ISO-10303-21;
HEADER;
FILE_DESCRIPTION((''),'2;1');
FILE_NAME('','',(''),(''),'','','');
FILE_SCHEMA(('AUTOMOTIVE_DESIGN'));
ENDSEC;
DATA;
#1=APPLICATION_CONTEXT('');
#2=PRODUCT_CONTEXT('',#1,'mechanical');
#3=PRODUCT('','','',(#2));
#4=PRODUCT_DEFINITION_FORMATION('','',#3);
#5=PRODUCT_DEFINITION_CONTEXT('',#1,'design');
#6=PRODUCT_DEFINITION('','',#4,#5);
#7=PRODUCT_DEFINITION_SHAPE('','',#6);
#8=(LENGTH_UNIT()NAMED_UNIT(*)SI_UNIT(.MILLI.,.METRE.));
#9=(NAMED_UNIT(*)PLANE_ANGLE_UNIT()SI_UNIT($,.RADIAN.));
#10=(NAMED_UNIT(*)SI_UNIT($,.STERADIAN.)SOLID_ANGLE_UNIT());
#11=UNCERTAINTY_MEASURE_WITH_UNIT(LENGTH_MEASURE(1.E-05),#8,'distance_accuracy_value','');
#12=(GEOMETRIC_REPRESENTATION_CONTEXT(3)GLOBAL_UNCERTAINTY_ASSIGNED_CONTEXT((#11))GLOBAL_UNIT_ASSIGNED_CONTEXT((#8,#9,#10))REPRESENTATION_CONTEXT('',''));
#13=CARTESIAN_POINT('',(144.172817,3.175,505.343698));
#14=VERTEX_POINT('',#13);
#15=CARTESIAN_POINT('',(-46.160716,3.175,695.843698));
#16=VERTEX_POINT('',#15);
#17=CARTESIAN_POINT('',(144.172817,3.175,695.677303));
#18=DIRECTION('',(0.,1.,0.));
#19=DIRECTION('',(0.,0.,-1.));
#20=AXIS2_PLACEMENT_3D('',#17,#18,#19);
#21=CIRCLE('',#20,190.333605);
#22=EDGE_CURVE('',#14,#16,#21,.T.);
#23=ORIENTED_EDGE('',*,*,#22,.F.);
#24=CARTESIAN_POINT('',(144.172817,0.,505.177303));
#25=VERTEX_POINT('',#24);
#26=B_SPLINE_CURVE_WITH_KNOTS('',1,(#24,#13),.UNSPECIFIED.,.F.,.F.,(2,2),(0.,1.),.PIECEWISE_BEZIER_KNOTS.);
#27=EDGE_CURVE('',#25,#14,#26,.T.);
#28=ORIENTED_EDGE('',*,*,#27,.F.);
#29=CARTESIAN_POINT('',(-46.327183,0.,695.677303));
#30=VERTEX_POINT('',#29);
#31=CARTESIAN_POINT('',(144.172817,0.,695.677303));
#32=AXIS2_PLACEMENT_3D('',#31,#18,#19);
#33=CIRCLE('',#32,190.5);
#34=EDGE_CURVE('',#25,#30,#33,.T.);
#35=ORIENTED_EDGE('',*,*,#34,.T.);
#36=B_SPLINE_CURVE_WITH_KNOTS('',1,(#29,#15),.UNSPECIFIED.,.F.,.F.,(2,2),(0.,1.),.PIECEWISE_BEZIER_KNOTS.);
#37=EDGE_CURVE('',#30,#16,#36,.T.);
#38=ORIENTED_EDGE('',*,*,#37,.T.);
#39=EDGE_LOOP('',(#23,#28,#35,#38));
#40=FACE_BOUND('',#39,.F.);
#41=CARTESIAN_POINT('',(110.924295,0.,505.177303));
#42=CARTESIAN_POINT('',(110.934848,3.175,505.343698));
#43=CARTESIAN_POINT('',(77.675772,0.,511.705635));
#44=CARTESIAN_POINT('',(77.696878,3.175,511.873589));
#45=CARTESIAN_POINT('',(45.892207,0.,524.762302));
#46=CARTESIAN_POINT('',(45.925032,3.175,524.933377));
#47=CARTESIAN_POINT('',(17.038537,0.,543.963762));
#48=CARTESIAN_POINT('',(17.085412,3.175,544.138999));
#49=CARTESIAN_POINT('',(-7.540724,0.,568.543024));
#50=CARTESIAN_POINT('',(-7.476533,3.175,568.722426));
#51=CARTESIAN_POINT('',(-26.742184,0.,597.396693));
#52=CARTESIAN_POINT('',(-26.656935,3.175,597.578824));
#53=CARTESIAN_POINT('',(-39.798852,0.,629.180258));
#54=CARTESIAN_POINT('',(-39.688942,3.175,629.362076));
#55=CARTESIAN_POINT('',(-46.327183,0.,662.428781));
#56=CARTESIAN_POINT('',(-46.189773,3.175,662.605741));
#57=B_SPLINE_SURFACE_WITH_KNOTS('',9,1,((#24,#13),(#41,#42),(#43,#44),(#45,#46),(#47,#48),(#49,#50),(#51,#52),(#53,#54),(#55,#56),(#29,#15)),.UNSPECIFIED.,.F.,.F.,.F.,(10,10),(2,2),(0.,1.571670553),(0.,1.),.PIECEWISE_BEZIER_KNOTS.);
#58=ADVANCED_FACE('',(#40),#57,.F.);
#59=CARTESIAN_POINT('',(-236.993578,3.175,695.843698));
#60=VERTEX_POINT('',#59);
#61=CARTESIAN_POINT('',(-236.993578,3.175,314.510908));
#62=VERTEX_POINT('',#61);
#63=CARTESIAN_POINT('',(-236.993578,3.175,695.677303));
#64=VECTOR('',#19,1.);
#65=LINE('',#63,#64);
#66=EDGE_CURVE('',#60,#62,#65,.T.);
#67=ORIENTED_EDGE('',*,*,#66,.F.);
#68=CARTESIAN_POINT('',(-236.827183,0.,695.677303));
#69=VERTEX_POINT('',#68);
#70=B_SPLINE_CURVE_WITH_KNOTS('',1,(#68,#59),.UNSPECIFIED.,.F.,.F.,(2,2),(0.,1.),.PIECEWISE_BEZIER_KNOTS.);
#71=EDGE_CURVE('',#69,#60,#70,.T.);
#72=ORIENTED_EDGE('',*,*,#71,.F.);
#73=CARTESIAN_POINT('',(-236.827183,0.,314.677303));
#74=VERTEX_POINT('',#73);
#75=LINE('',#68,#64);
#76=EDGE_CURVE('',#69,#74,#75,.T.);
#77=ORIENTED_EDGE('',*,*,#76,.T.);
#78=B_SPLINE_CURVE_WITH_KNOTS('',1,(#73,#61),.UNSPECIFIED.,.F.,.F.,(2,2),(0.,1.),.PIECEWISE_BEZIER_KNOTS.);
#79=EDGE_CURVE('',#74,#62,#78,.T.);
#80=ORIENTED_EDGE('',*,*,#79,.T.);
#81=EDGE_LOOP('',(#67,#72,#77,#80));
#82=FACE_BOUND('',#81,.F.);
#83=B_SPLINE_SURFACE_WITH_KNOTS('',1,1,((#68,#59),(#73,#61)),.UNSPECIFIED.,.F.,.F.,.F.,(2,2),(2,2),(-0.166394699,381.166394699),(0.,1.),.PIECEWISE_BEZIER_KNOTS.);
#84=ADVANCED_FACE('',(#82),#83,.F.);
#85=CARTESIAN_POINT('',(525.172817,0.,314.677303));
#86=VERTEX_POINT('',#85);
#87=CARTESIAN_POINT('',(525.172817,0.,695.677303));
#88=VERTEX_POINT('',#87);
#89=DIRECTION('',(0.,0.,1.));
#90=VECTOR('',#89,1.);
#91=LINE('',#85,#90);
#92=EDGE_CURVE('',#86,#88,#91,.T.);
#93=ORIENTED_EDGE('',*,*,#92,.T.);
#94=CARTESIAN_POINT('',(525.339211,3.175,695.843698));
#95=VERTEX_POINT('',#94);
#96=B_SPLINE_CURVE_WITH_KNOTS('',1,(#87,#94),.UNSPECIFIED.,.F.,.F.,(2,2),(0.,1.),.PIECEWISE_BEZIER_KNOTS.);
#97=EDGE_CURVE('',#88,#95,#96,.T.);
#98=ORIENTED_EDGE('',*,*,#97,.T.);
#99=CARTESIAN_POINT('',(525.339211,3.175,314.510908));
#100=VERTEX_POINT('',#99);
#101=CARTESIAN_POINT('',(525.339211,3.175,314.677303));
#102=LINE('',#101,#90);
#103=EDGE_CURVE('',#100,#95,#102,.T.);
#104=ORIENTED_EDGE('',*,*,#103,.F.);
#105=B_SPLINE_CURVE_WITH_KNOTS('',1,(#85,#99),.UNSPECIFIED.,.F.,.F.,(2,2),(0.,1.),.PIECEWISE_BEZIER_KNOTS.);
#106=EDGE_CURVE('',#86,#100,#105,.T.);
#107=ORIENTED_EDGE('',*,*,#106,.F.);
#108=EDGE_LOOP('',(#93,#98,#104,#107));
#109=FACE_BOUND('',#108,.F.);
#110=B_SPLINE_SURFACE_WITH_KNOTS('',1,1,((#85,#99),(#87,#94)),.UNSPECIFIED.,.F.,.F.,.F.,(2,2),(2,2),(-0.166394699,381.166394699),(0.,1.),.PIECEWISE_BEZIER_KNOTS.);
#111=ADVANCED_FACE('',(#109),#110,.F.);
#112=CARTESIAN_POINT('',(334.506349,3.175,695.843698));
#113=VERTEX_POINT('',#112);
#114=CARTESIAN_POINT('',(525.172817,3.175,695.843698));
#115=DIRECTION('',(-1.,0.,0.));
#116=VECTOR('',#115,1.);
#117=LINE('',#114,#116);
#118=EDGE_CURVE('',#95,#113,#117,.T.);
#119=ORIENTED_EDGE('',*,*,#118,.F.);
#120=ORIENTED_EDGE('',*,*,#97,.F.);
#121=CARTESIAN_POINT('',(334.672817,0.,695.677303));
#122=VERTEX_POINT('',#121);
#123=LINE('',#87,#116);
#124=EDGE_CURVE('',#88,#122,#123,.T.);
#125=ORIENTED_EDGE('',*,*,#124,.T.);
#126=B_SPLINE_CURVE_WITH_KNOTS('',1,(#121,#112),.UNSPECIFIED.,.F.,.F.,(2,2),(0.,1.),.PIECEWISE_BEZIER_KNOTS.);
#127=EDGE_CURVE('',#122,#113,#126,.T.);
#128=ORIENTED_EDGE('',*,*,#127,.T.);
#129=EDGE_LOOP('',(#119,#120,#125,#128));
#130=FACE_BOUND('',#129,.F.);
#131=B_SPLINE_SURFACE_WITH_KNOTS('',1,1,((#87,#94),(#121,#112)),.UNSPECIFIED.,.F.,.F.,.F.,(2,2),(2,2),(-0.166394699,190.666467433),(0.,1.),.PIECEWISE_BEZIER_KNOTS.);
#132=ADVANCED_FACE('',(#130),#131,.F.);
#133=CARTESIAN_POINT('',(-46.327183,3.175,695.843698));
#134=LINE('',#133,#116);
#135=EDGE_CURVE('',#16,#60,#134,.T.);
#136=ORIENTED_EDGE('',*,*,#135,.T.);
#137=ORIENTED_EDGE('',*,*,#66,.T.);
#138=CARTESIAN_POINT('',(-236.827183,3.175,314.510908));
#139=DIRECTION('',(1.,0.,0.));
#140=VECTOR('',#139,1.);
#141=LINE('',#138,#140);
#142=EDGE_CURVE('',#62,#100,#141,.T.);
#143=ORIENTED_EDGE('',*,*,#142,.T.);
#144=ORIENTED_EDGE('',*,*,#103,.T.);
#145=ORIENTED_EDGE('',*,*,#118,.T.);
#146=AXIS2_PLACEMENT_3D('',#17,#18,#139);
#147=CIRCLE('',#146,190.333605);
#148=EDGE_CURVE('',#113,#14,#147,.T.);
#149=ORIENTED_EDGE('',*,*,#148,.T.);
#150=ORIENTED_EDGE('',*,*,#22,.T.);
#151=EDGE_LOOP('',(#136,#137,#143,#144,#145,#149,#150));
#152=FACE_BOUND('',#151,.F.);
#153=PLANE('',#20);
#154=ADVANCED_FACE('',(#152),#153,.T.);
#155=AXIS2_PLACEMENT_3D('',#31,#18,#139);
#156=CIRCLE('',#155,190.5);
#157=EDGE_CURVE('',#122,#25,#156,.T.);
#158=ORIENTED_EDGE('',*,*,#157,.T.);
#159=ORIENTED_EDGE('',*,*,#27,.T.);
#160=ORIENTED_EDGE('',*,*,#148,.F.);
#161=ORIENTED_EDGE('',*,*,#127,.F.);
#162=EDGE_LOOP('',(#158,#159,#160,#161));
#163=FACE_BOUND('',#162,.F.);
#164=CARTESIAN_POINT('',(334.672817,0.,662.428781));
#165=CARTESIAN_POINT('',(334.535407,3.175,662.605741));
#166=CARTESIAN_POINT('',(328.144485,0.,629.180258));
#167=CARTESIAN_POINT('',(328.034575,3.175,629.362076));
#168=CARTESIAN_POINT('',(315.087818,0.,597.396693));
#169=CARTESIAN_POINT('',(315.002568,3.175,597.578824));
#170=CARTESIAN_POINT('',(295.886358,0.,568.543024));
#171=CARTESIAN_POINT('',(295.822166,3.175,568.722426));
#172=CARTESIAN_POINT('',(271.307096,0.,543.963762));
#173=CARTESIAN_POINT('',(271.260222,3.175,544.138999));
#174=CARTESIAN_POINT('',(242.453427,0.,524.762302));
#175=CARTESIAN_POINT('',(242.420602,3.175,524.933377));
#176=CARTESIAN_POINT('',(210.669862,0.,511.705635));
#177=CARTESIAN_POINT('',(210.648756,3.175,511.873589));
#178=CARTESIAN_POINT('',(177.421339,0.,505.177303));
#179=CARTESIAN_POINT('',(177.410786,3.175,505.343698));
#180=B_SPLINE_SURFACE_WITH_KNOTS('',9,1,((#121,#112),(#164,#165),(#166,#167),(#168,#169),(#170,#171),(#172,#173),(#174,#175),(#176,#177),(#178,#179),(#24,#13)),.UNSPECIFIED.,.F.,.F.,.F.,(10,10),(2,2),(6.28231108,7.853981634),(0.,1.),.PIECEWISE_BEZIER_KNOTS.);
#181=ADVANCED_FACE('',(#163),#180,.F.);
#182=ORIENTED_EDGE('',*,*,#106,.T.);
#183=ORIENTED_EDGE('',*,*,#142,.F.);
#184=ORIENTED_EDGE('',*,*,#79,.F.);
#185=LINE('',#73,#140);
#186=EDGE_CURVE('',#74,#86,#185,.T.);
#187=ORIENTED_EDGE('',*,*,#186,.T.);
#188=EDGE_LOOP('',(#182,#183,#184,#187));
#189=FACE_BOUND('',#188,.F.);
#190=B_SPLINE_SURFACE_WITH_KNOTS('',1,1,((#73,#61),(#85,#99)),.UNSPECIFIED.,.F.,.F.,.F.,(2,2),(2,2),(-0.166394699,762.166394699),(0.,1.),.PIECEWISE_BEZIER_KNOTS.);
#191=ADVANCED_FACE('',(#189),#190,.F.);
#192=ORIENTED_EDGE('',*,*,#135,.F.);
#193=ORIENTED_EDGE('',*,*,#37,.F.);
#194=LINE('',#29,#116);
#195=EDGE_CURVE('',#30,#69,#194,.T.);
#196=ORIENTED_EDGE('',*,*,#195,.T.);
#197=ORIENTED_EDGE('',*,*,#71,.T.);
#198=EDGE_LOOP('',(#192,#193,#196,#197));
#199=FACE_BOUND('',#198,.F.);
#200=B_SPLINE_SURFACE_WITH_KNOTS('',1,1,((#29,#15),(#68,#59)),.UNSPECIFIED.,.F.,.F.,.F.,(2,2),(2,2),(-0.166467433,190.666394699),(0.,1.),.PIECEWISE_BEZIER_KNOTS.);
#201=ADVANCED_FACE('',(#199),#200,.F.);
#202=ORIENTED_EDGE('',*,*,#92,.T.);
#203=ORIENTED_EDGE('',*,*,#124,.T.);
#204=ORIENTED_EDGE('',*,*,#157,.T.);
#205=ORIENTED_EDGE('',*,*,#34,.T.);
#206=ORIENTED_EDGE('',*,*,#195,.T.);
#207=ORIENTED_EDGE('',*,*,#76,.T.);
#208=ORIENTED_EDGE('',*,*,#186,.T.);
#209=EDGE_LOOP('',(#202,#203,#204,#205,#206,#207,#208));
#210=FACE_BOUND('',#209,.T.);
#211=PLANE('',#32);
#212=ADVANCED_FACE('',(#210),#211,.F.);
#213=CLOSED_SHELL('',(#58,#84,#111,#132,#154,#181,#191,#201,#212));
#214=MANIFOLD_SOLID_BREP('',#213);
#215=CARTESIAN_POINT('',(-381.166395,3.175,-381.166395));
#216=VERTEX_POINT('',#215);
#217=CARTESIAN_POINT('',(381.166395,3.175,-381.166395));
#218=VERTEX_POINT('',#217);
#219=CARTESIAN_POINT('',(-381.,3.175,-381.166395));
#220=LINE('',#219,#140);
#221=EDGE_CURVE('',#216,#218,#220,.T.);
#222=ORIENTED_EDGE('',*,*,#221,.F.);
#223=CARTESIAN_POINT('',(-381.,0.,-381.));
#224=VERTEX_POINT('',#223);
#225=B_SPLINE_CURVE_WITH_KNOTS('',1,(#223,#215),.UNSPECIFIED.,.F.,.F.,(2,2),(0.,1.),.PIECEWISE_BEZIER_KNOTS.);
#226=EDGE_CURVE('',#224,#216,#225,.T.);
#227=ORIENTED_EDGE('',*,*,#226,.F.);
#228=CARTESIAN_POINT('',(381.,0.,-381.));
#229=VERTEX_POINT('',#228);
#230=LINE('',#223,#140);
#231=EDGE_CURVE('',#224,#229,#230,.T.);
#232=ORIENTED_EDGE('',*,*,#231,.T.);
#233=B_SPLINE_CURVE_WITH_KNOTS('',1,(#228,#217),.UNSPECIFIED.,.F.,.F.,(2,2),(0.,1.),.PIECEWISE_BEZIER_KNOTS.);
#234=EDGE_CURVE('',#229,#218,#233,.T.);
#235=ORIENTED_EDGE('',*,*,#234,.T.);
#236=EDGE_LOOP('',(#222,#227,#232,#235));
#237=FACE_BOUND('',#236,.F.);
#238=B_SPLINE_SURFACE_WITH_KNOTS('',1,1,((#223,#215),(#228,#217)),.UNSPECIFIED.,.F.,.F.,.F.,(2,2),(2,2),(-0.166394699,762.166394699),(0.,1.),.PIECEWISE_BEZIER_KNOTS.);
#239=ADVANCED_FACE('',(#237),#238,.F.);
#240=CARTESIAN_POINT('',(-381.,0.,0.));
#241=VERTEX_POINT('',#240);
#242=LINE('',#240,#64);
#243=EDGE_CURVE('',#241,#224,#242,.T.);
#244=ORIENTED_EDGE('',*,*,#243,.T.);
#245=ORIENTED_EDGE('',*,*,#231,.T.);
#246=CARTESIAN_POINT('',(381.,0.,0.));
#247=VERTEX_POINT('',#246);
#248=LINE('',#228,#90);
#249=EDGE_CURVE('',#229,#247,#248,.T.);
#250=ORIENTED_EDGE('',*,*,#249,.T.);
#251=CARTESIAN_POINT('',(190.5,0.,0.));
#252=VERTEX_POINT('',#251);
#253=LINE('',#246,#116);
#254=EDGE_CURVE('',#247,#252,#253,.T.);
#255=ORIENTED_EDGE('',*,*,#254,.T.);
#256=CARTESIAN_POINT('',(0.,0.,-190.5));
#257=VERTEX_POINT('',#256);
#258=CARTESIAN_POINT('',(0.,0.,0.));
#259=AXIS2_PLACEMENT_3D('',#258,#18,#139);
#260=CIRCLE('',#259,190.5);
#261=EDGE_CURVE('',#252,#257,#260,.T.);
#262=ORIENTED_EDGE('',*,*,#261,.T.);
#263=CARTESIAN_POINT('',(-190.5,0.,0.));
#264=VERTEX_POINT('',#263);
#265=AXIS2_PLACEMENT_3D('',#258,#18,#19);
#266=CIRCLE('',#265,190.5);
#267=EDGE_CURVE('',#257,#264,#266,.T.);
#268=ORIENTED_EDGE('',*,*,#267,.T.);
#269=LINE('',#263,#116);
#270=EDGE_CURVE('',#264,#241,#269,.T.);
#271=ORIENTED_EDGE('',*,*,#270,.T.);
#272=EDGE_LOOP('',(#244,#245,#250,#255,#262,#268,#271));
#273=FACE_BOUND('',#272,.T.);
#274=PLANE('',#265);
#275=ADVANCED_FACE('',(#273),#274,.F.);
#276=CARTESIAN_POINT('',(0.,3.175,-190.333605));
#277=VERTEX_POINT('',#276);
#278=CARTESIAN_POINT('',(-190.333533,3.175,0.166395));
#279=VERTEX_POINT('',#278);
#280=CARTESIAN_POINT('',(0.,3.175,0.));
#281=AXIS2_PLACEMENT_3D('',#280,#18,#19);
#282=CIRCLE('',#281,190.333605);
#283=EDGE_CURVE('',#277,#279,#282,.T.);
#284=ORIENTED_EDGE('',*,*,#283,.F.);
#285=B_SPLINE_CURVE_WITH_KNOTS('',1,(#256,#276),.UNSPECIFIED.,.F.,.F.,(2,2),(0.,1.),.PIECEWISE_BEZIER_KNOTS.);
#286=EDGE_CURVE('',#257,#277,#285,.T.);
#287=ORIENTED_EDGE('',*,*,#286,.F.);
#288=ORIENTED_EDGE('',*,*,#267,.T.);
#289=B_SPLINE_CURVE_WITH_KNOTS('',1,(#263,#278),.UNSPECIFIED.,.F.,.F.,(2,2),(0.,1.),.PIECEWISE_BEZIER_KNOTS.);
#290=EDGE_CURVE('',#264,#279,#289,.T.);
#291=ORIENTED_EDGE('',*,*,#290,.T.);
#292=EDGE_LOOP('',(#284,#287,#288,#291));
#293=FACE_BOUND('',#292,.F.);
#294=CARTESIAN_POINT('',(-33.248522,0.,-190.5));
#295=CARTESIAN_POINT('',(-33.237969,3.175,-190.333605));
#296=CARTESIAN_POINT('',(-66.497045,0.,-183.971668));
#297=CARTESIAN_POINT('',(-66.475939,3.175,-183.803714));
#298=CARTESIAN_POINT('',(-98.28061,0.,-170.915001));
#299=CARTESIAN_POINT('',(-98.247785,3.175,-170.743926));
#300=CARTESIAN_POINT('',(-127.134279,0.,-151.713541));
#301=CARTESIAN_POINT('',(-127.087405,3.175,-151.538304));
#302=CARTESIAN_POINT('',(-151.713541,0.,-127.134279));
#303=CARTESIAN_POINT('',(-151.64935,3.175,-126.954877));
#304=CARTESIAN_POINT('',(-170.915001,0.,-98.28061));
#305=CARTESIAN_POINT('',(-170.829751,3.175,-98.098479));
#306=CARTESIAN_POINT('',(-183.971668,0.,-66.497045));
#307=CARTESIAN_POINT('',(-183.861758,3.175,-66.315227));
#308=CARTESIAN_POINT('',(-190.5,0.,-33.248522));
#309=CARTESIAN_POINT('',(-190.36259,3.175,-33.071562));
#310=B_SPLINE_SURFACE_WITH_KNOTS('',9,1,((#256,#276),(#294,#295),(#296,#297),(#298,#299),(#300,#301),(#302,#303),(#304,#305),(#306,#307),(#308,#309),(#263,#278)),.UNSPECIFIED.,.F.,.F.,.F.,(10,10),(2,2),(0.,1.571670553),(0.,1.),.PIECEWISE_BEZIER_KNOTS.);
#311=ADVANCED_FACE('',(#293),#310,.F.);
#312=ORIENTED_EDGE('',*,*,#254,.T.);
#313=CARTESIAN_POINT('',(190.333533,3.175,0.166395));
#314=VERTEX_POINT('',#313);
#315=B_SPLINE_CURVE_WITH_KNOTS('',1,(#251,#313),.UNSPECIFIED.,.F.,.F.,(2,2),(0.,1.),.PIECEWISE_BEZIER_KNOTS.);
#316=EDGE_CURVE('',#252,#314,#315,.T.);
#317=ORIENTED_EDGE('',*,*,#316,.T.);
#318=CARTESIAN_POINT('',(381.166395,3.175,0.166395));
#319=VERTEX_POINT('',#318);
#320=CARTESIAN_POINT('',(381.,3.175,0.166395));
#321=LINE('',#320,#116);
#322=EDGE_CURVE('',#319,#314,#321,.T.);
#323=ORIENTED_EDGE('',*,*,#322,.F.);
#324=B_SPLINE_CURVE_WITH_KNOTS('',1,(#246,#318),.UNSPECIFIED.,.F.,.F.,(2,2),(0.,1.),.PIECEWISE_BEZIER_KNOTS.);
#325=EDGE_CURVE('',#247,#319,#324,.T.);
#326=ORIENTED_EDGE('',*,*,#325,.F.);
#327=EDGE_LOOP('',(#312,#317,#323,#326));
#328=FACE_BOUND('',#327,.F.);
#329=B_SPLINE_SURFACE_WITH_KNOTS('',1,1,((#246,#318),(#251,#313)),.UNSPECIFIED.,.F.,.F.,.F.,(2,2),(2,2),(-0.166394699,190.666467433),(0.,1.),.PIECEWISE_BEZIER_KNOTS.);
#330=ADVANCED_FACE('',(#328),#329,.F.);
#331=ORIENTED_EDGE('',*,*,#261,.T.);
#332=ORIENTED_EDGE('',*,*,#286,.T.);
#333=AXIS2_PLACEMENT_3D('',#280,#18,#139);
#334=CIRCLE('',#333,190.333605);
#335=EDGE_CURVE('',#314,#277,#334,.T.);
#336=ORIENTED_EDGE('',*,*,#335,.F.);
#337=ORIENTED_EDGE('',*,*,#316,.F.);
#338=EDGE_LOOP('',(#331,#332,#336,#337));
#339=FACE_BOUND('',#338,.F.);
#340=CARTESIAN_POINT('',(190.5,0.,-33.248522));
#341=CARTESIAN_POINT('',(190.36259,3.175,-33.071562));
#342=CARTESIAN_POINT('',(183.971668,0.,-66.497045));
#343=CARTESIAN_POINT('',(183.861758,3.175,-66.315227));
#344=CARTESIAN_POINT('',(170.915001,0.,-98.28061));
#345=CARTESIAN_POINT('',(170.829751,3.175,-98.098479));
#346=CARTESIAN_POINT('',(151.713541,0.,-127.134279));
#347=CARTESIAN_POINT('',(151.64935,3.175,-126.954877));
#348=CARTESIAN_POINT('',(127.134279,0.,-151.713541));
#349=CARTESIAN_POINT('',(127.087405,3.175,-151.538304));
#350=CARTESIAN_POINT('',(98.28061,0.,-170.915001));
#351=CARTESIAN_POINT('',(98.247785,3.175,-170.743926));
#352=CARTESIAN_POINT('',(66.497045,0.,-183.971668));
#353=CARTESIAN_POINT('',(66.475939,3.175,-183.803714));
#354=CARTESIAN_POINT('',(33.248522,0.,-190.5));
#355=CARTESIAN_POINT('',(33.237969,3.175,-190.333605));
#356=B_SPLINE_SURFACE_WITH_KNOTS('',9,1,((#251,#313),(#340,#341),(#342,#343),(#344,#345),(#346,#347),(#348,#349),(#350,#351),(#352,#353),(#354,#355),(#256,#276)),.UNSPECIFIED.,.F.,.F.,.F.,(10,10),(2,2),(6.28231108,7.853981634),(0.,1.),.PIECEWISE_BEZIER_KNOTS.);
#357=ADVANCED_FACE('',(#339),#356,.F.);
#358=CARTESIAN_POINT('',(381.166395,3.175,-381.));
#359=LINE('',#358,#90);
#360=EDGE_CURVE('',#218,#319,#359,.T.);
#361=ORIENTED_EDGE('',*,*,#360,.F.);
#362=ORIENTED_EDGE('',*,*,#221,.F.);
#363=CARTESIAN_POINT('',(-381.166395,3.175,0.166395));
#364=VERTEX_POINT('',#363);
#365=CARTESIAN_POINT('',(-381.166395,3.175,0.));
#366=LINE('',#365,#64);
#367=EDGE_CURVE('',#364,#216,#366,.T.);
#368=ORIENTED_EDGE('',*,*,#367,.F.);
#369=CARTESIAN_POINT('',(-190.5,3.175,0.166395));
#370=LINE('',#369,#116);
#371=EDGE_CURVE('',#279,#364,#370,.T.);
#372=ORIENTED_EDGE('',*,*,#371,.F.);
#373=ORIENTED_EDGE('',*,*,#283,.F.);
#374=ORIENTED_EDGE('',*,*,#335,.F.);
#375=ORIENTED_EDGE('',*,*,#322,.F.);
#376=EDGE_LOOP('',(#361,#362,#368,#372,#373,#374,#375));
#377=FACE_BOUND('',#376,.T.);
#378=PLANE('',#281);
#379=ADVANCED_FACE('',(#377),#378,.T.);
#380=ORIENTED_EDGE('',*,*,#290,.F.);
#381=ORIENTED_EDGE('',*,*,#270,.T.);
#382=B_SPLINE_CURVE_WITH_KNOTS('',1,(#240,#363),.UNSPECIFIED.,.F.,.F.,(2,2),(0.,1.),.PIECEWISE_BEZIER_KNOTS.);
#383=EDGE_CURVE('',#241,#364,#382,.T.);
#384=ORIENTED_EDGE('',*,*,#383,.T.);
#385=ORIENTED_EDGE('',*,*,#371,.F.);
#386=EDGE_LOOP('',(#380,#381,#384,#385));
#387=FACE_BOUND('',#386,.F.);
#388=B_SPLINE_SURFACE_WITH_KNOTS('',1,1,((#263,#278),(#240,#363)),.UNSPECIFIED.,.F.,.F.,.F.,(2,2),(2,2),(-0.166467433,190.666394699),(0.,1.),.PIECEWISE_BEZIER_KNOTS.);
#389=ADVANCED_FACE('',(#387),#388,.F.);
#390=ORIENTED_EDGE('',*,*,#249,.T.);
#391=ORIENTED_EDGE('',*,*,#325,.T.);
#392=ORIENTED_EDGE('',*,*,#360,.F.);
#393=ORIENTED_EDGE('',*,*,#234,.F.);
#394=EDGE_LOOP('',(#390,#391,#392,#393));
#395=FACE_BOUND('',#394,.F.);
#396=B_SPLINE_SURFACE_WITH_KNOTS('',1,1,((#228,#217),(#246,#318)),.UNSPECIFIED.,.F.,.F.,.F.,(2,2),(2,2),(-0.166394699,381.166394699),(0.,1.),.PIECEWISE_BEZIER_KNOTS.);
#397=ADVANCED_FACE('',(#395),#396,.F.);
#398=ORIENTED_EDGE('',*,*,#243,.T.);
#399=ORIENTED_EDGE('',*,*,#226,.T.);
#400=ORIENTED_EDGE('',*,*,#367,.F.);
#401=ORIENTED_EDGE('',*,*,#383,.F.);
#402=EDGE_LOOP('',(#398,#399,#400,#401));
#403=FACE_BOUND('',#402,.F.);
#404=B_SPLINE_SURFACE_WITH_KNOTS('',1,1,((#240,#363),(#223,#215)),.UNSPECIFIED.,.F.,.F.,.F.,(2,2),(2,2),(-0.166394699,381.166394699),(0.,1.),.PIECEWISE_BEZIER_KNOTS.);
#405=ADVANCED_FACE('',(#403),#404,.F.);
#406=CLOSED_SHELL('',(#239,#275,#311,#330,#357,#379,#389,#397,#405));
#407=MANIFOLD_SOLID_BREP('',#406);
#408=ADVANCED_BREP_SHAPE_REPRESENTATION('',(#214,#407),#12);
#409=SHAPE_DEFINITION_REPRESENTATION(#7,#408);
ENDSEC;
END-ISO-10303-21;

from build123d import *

# Parameters (mm, degrees)
F1_DEPTH = 3.175
F1_TAPER = -3
F2_DEPTH = 3.175


with BuildPart() as f1:
    # F0 (on Front) → F1 (new body)
    with BuildSketch(Plane.XZ):
        with BuildLine():
            ThreePointArc((144.1728167931, 505.1773030703), (9.4689749771, 560.9734612542), (-46.3271832069, 695.6773030703))
            Line((-46.3271832069, 695.6773030703), (-236.8271832069, 695.6773030703))
            Line((-236.8271832069, 695.6773030703), (-236.8271832069, 314.6773030703))
            Line((-236.8271832069, 314.6773030703), (144.1728167931, 314.6773030703))
            Line((144.1728167931, 314.6773030703), (525.1728167931, 314.6773030703))
            Line((525.1728167931, 314.6773030703), (525.1728167931, 695.6773030703))
            Line((525.1728167931, 695.6773030703), (334.6728167931, 695.6773030703))
            ThreePointArc((334.6728167931, 695.6773030703), (278.8766586092, 560.9734612542), (144.1728167931, 505.1773030703))
        make_face()
    extrude(amount=-F1_DEPTH, taper=F1_TAPER)


with BuildPart() as f1b:
    # F0 (on Front) → F1, piece 2 (new body)
    with BuildSketch(Plane.XZ):
        with BuildLine():
            ThreePointArc((0, -190.5), (-134.703841816, -134.703841816), (-190.5, 0))
            Line((-190.5, 0), (-381, 0))
            Line((-381, 0), (-381, -381))
            Line((-381, -381), (0, -381))
            Line((0, -381), (381, -381))
            Line((381, -381), (381, 0))
            Line((381, 0), (190.5, 0))
            ThreePointArc((190.5, 0), (134.703841816, -134.703841816), (0, -190.5))
        make_face()
    extrude(amount=-F1_DEPTH, taper=F1_TAPER)

    # F0 (on Front) → F2 (join)
    with BuildSketch(Plane.XZ):
        with BuildLine():
            ThreePointArc((0, -190.5), (-134.703841816, -134.703841816), (-190.5, 0))
            Line((-190.5, 0), (-381, 0))
            Line((-381, 0), (-381, -381))
            Line((-381, -381), (0, -381))
            Line((0, -381), (381, -381))
            Line((381, -381), (381, 0))
            Line((381, 0), (190.5, 0))
            ThreePointArc((190.5, 0), (134.703841816, -134.703841816), (0, -190.5))
        make_face()
    extrude(amount=-F2_DEPTH)


solid = Compound([f1.part, f1b.part])
